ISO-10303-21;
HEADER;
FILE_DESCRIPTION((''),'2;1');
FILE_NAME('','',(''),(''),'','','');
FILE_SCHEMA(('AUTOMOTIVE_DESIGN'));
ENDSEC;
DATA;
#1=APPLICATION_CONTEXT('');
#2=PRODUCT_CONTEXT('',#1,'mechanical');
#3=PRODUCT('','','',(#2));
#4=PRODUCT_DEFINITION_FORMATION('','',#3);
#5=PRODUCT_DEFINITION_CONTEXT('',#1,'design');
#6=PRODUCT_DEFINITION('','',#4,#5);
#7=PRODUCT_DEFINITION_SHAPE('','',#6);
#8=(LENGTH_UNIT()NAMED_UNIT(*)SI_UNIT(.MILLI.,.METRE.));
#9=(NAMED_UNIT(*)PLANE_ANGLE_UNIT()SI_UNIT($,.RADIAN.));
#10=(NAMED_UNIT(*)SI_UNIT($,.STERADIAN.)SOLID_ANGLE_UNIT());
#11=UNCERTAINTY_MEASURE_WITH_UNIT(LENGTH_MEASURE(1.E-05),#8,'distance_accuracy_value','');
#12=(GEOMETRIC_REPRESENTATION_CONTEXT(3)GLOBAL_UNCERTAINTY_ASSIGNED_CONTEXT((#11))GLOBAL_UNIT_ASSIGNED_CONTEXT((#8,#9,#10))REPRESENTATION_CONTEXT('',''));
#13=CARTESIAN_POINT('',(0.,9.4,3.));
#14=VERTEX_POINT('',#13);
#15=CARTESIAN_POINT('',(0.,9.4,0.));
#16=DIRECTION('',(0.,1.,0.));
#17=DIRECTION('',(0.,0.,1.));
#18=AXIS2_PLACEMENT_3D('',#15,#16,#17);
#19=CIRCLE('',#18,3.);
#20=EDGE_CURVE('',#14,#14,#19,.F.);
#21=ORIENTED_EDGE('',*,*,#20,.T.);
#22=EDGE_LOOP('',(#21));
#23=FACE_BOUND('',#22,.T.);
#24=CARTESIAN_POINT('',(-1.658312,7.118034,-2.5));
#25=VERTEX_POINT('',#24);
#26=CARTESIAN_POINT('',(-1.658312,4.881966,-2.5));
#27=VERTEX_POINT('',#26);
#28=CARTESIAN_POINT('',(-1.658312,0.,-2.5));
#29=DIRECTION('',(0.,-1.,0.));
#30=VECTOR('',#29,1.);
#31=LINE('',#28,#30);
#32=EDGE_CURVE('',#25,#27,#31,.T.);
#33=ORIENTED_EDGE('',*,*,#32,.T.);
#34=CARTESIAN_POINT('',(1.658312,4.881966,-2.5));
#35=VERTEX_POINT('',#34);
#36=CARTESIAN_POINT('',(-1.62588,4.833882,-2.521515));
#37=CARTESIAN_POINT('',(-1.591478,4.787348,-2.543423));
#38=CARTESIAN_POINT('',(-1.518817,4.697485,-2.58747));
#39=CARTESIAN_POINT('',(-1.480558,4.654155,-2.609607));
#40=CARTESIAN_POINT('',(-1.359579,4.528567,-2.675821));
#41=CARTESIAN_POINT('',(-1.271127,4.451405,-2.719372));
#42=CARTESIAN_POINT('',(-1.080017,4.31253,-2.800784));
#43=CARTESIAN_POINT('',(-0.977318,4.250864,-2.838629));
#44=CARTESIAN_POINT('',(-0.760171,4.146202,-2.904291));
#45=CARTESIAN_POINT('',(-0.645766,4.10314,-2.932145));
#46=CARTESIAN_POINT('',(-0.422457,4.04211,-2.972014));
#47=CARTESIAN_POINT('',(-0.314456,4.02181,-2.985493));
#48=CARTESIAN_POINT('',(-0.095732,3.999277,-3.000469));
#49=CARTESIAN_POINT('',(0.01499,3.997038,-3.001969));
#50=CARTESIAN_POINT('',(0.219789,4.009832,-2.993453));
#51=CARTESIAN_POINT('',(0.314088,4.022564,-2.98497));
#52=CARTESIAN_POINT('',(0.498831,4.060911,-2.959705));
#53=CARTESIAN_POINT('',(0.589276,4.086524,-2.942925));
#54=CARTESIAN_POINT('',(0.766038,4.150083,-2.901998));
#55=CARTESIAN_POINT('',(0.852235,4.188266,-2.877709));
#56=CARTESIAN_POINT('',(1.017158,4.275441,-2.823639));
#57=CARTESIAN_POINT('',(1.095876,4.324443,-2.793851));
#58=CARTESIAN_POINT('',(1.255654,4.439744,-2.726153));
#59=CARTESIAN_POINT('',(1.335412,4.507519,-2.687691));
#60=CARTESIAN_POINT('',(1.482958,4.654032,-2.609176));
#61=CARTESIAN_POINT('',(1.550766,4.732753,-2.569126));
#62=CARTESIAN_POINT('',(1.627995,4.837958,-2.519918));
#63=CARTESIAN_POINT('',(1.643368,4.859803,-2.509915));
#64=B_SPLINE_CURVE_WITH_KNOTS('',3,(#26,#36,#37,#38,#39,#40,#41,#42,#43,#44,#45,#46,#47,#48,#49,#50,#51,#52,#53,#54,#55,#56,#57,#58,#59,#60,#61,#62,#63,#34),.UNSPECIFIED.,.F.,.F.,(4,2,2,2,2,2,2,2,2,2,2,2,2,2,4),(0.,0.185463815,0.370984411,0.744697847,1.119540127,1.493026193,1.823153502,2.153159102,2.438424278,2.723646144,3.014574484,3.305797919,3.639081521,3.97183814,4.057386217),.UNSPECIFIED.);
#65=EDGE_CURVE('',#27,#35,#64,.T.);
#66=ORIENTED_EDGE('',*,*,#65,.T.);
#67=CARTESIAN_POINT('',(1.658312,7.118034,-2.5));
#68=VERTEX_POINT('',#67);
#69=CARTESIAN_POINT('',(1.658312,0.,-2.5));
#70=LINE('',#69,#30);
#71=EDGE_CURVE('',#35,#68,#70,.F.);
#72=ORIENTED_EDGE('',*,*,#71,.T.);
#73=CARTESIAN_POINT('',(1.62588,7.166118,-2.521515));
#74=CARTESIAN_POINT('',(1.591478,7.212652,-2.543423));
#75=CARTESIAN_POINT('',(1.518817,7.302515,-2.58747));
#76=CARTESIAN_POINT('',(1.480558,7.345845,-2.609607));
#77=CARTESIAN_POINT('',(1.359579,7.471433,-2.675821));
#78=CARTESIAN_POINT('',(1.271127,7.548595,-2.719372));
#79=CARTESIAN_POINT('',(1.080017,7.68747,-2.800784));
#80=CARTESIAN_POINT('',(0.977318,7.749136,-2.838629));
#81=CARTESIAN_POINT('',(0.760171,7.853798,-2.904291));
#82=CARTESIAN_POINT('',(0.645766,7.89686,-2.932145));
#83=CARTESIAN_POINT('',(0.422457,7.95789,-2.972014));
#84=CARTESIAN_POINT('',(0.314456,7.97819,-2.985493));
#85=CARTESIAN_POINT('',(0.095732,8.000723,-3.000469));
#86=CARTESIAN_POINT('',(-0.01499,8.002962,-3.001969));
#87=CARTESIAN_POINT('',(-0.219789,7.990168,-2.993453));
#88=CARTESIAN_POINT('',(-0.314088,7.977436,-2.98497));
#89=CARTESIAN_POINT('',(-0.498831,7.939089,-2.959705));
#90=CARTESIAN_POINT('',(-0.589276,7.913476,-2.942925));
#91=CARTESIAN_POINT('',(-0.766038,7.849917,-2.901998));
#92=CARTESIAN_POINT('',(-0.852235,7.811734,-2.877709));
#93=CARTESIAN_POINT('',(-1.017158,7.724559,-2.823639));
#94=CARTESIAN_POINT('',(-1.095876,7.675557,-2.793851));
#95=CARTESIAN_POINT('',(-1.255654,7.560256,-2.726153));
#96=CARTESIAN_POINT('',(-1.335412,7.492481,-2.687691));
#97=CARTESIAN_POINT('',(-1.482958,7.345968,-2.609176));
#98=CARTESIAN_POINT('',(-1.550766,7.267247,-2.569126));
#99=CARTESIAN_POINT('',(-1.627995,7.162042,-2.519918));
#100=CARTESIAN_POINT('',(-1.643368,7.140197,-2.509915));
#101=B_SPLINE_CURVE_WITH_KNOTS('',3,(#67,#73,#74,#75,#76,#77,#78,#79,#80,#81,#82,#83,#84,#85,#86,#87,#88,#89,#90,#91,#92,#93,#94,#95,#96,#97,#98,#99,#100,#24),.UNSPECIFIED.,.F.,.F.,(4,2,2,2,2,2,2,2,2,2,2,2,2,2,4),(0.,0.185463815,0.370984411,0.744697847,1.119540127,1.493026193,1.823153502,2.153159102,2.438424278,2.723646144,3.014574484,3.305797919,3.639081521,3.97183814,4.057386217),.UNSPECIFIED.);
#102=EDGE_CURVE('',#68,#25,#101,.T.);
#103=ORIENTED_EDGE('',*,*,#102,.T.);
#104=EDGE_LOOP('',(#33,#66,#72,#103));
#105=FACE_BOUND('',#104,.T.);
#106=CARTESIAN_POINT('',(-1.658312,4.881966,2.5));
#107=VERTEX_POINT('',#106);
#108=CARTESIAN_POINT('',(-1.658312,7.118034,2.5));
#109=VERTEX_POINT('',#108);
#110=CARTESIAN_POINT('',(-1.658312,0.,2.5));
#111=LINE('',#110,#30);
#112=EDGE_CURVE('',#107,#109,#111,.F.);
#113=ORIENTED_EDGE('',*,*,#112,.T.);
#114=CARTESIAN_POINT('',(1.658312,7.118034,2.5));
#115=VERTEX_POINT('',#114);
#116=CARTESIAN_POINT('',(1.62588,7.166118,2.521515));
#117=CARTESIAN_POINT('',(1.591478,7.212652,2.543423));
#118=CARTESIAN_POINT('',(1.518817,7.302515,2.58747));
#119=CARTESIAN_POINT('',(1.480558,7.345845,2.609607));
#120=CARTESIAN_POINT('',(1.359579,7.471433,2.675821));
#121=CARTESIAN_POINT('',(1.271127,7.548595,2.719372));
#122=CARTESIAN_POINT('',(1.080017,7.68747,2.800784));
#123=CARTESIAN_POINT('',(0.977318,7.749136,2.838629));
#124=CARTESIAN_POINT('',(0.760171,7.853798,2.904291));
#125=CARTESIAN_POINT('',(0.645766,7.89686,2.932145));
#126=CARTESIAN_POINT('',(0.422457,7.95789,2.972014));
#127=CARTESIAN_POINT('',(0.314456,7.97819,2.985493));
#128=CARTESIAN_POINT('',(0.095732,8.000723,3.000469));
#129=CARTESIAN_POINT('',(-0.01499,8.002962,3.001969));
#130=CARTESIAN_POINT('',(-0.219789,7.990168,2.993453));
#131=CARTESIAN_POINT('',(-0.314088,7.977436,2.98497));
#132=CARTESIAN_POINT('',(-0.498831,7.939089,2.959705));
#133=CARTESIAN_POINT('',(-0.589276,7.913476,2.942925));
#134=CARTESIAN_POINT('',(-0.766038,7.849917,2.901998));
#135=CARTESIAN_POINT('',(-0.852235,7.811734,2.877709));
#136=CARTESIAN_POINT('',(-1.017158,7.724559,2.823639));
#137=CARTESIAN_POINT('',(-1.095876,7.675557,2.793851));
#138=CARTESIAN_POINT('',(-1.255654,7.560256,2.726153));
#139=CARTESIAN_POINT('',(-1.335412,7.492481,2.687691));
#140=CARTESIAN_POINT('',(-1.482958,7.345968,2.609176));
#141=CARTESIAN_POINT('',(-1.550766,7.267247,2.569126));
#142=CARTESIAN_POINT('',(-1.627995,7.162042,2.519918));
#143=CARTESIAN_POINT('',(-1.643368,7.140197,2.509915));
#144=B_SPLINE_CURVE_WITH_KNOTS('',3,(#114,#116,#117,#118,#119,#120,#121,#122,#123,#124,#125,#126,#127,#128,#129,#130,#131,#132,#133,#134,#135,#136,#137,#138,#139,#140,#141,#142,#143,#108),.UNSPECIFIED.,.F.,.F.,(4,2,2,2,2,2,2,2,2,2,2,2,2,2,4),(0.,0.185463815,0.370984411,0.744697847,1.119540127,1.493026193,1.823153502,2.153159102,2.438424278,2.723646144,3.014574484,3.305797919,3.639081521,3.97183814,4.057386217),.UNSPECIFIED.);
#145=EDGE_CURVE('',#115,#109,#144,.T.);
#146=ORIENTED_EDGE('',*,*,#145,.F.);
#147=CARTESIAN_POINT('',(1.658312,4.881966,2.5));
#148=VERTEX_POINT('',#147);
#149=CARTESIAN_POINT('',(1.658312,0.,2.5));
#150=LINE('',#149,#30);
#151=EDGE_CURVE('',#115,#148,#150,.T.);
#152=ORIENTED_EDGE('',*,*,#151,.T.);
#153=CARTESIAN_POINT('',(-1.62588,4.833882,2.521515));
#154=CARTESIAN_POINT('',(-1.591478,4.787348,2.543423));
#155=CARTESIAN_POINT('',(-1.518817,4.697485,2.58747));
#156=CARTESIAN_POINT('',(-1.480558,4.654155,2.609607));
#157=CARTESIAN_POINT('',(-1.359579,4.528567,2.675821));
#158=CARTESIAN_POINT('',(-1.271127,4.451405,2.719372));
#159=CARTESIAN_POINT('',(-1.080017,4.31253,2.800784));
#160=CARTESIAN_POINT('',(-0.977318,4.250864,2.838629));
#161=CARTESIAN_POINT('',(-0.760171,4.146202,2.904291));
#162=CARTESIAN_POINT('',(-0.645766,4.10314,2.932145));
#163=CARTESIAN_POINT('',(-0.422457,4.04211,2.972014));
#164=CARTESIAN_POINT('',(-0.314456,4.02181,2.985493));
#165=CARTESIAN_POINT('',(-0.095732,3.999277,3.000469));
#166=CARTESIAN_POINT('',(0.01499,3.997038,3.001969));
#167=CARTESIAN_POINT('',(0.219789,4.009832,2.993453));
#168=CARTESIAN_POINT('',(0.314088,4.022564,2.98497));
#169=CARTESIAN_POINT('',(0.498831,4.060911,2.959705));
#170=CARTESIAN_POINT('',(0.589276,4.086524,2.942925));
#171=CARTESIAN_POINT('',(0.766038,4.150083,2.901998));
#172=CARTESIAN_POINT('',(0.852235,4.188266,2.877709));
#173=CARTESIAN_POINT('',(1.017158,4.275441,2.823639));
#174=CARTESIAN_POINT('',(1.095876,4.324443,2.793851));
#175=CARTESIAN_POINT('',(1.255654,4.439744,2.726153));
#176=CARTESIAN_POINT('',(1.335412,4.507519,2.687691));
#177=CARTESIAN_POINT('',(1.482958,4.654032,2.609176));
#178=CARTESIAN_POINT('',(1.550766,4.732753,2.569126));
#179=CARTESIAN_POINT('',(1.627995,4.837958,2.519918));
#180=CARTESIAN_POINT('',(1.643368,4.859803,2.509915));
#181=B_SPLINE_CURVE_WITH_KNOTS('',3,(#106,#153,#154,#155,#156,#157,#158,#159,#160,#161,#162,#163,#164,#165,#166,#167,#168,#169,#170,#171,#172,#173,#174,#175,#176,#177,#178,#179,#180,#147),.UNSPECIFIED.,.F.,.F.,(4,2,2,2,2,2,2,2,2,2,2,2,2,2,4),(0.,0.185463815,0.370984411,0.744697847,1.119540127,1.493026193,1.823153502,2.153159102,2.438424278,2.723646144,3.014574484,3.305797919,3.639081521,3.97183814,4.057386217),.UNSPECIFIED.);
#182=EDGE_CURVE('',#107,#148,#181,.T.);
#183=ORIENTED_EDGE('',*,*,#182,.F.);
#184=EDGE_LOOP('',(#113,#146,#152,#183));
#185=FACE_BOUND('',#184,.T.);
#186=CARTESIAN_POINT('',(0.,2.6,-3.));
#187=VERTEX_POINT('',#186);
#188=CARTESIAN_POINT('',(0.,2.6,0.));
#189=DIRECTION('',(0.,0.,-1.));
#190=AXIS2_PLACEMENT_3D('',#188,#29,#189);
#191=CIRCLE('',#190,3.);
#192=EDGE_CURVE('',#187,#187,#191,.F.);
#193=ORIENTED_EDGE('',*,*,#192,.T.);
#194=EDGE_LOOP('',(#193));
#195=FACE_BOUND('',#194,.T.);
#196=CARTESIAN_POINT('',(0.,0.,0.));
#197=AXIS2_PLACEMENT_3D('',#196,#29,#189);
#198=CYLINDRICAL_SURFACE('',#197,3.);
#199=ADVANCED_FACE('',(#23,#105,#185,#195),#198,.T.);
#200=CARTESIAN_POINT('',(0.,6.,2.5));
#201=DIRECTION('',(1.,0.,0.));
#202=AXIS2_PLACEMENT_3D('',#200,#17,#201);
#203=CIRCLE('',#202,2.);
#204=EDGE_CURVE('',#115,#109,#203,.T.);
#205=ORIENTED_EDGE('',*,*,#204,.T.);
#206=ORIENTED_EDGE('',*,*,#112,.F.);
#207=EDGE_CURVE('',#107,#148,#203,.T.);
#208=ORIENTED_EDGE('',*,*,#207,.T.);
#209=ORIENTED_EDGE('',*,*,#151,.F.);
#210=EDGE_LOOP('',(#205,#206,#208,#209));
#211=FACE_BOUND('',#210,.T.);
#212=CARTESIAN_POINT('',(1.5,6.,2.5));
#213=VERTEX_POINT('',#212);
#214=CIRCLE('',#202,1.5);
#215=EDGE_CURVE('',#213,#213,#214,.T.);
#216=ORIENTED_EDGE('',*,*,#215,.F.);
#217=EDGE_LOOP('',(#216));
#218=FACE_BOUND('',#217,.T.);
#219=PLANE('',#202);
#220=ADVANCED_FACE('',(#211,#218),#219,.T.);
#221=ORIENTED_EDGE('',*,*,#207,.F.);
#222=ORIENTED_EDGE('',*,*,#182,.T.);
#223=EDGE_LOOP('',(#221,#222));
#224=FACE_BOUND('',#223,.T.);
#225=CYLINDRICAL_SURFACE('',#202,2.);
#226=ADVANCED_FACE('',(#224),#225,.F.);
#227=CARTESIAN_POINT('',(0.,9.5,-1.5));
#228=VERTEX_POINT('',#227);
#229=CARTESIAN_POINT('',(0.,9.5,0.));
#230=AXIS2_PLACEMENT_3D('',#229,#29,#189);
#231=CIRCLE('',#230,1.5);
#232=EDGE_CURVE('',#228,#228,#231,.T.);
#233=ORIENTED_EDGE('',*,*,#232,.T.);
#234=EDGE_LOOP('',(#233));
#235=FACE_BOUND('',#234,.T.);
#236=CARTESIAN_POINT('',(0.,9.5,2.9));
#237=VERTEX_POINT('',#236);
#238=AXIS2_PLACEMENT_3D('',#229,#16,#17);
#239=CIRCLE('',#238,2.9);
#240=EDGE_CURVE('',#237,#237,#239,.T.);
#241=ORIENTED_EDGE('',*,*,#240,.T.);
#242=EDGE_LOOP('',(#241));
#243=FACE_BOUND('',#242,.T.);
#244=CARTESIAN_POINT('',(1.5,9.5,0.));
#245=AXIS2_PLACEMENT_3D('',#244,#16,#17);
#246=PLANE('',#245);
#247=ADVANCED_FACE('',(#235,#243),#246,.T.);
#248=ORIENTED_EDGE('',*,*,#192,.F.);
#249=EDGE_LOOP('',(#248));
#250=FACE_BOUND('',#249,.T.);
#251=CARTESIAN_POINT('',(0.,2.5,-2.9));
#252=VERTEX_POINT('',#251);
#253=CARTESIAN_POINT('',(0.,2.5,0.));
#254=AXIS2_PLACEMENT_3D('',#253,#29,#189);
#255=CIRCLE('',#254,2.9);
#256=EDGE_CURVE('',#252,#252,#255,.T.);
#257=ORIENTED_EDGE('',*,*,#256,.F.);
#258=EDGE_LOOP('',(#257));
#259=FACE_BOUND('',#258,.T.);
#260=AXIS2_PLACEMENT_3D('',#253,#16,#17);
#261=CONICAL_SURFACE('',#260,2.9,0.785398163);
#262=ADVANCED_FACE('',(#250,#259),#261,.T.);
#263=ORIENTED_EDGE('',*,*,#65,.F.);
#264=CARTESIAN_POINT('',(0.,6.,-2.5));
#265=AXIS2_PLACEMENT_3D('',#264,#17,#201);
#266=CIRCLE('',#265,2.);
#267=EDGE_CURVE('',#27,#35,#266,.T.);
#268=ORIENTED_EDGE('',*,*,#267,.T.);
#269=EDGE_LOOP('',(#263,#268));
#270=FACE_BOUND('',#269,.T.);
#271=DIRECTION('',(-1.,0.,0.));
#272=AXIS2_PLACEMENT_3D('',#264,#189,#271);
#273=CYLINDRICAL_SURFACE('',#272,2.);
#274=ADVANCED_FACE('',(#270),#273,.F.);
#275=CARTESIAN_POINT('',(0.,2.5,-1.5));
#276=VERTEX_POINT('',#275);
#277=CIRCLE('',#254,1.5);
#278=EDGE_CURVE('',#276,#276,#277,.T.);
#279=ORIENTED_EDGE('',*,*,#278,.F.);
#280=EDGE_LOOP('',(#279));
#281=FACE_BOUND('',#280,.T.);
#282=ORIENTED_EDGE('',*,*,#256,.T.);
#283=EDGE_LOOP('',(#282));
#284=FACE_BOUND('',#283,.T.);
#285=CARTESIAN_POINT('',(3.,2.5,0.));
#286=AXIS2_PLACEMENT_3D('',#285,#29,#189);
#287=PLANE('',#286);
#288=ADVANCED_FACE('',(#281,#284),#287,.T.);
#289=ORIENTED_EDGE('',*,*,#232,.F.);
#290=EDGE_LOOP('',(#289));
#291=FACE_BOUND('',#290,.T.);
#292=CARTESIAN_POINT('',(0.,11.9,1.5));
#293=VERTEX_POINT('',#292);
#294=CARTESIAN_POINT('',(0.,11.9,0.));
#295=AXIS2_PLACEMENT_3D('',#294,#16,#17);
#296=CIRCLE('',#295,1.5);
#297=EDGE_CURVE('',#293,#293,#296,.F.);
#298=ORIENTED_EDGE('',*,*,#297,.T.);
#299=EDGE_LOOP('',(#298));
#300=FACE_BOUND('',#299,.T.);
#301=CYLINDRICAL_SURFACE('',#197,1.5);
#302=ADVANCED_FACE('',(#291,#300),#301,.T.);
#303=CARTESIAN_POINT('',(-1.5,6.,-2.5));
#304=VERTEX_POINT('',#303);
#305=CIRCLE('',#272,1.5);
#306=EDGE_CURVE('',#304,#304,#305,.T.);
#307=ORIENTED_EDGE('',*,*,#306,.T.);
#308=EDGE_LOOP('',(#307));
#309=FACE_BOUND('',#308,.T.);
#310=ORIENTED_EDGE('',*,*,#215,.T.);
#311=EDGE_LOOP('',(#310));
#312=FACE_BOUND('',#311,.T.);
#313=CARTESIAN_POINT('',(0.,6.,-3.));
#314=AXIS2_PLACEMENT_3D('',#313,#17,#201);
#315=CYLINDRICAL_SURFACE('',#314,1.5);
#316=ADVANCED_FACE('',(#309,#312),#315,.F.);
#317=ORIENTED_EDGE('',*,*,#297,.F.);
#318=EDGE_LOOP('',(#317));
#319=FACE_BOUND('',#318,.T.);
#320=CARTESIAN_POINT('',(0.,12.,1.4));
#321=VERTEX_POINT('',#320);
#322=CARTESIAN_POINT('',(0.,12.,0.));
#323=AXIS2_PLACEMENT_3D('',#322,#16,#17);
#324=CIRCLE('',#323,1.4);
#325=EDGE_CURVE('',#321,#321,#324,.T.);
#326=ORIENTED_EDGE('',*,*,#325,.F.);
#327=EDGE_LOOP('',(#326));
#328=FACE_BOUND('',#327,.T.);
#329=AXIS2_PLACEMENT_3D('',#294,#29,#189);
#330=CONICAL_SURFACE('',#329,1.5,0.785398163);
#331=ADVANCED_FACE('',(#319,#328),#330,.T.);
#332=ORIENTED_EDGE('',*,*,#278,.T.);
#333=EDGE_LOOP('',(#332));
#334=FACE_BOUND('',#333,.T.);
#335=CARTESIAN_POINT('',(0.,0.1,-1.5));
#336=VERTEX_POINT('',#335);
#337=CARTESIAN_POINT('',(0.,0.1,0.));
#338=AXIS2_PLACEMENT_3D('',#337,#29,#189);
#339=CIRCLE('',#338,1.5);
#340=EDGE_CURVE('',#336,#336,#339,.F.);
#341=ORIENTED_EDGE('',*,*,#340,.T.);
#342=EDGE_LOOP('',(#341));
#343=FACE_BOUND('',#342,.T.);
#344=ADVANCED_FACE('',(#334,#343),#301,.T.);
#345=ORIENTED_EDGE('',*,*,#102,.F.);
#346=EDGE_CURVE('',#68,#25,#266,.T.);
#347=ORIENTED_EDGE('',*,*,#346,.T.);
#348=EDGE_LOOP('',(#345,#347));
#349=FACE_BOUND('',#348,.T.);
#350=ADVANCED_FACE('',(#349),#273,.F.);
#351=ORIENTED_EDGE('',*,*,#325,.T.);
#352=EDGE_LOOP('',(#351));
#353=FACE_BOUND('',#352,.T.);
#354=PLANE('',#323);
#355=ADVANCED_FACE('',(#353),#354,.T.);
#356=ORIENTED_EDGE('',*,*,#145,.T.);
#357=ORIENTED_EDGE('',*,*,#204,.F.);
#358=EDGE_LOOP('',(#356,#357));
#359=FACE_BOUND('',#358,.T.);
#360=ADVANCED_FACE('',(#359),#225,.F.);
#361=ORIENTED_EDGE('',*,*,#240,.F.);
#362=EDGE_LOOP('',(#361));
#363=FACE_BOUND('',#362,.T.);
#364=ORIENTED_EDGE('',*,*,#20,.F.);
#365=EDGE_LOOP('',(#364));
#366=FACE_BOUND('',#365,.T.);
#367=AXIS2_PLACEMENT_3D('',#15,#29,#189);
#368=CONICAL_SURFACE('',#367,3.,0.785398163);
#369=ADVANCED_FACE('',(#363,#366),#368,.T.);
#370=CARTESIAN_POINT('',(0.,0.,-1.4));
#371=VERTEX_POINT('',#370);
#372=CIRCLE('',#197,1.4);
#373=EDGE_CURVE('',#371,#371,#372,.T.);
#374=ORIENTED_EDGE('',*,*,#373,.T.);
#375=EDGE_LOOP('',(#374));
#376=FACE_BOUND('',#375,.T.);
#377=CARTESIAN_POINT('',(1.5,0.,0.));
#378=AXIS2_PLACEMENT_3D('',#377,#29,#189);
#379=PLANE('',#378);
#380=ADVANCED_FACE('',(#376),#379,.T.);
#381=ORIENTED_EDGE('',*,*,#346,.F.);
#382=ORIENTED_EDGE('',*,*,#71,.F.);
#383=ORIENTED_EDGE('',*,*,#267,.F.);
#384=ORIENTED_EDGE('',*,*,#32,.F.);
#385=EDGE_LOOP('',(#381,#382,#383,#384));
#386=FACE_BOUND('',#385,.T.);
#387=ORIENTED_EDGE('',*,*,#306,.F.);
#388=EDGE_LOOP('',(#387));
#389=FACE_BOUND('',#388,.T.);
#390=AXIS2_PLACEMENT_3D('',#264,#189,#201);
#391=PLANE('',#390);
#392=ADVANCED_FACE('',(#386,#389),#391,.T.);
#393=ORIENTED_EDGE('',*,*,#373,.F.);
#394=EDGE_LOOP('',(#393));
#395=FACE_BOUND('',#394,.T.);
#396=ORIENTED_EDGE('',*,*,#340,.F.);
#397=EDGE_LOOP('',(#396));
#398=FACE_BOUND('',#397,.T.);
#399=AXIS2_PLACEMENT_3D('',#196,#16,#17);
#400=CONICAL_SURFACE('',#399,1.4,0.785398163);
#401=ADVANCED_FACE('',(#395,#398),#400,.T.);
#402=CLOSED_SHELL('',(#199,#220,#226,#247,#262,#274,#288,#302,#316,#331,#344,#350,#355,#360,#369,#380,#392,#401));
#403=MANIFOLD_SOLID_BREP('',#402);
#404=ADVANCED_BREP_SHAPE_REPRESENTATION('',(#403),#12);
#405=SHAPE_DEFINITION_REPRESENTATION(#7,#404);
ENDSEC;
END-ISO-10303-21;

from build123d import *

# Parameters (mm, degrees)
SKETCH3_R          = 2
CUT_EXTRUDE2_DEPTH = 0.5
SKETCH5_R          = 1.5
CUT_EXTRUDE3_DEPTH = 14.536986433
CHAMFER1_SIZE      = 0.1


with BuildPart() as part:
    # Sketch2 → Revolve1 (revolve)
    with BuildSketch(Plane.XY, mode=Mode.PRIVATE) as revolve1_sk:
        Polygon((0, 0), (0, 12), (1.5, 12), (1.5, 9.5), (3, 9.5), (3, 2.5), (1.5, 2.5), (1.5, 0), align=None)
    revolve(revolve1_sk.sketch.rotate(Axis((0, 0, 0), (0, 1, 0)), 90), axis=Axis((0, 0, 0), (0, 1, 0)))

    # Sketch3 → Cut-Extrude2 (cut)
    with BuildSketch(Plane.XY.offset(3)):
        with Locations((0, 6)):
            Circle(SKETCH3_R)
    cut_extrude2 = extrude(amount=-CUT_EXTRUDE2_DEPTH, mode=Mode.SUBTRACT)

    # Mirror1: Cut-Extrude2 across plane
    add(cut_extrude2.mirror(Plane.XY), mode=Mode.SUBTRACT)

    # Sketch5 → Cut-Extrude3 (cut, through all)
    with BuildSketch(Plane.XY.offset(2.5)):
        with Locations((0, 6)):
            Circle(SKETCH5_R)
    extrude(amount=-CUT_EXTRUDE3_DEPTH, mode=Mode.SUBTRACT)

    # Chamfer1
    chamfer1_edges = [part.edges().sort_by_distance(p)[0] for p in [
        (0, 0, 1.5),
        (0, 2.5, 3),
        (0, 9.5, 3),
        (0, 12, 1.5),
    ]]
    chamfer(chamfer1_edges, length=CHAMFER1_SIZE)


solid = part.part
